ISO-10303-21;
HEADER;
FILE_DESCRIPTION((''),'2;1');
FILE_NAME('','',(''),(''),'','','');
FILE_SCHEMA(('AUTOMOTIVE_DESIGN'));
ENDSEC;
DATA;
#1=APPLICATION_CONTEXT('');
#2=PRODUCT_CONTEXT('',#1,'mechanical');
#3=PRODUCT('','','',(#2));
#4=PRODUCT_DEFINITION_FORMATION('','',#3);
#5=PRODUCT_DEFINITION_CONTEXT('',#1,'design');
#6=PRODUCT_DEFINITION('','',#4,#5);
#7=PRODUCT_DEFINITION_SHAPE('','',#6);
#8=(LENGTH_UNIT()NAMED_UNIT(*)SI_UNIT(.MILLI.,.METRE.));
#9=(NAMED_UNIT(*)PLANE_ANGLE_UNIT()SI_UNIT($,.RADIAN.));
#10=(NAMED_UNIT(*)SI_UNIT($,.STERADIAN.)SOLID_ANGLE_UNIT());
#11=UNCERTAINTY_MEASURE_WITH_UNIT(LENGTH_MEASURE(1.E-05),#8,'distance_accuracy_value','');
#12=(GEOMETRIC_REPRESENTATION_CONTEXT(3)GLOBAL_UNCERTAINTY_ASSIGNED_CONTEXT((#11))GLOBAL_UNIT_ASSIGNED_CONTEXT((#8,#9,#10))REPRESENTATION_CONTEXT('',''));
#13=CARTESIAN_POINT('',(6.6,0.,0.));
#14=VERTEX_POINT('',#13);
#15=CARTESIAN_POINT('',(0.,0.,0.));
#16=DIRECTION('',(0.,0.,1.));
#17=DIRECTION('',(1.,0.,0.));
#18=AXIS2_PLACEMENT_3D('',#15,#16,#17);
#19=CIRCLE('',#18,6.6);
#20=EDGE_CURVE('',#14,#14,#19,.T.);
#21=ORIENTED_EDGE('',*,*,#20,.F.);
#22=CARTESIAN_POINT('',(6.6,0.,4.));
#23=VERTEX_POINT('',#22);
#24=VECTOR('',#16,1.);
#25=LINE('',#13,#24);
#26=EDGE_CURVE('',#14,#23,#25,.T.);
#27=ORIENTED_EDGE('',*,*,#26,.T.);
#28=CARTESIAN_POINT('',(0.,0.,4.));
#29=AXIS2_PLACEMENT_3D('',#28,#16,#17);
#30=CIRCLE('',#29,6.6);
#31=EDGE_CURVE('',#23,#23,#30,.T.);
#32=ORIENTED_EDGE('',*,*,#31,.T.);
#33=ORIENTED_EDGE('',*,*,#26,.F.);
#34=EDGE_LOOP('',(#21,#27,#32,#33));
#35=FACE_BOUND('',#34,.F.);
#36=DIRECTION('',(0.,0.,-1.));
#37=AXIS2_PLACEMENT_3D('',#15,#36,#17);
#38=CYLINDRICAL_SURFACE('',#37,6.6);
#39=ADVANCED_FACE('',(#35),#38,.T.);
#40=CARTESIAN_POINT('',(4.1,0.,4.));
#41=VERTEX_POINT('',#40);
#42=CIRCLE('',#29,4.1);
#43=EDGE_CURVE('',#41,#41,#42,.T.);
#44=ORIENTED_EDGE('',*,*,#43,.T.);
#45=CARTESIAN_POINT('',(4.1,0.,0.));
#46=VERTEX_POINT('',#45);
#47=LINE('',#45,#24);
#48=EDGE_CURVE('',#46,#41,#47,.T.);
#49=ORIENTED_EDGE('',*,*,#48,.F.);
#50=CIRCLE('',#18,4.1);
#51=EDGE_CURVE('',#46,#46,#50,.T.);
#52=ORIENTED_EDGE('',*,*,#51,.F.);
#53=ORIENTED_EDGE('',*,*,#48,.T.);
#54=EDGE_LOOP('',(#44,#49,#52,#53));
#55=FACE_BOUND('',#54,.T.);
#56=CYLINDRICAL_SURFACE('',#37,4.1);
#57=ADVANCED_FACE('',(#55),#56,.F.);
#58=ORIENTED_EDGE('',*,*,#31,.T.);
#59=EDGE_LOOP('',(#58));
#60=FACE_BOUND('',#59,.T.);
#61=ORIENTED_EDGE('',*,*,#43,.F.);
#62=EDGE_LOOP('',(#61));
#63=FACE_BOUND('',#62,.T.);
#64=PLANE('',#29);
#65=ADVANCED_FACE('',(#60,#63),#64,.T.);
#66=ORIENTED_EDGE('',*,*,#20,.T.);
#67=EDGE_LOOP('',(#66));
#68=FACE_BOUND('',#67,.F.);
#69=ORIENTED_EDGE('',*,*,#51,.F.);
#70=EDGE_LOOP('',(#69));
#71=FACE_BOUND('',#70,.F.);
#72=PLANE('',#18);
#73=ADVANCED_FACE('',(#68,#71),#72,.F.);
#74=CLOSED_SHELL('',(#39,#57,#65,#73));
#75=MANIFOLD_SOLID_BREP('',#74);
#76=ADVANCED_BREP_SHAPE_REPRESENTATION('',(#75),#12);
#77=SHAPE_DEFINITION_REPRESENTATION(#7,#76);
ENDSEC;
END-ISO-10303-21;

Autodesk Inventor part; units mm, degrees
ref_plane "YZ Plane" through (0, 0, 0) normal (1, 0, 0) x (0, 1, 0)
ref_plane "XZ Plane" through (0, 0, 0) normal (0, 1, 0) x (-1, 0, 0)
ref_plane "XY Plane" through (0, 0, 0) normal (0, 0, 1) x (1, 0, 0)
sketch "Sketch1" plane through (0, 0, 0) normal (0, 0, 1) x (1, 0, 0)
  circle A0 centre (0, 0) radius 4.1
  circle A1 centre (0, 0) radius 6.6
  dimension "d0" = 8.2
  dimension "d2" = 2.5
extrude "Extrusion1" add sketch "Sketch1" along normal blind 4
properties part number "SPACER"
